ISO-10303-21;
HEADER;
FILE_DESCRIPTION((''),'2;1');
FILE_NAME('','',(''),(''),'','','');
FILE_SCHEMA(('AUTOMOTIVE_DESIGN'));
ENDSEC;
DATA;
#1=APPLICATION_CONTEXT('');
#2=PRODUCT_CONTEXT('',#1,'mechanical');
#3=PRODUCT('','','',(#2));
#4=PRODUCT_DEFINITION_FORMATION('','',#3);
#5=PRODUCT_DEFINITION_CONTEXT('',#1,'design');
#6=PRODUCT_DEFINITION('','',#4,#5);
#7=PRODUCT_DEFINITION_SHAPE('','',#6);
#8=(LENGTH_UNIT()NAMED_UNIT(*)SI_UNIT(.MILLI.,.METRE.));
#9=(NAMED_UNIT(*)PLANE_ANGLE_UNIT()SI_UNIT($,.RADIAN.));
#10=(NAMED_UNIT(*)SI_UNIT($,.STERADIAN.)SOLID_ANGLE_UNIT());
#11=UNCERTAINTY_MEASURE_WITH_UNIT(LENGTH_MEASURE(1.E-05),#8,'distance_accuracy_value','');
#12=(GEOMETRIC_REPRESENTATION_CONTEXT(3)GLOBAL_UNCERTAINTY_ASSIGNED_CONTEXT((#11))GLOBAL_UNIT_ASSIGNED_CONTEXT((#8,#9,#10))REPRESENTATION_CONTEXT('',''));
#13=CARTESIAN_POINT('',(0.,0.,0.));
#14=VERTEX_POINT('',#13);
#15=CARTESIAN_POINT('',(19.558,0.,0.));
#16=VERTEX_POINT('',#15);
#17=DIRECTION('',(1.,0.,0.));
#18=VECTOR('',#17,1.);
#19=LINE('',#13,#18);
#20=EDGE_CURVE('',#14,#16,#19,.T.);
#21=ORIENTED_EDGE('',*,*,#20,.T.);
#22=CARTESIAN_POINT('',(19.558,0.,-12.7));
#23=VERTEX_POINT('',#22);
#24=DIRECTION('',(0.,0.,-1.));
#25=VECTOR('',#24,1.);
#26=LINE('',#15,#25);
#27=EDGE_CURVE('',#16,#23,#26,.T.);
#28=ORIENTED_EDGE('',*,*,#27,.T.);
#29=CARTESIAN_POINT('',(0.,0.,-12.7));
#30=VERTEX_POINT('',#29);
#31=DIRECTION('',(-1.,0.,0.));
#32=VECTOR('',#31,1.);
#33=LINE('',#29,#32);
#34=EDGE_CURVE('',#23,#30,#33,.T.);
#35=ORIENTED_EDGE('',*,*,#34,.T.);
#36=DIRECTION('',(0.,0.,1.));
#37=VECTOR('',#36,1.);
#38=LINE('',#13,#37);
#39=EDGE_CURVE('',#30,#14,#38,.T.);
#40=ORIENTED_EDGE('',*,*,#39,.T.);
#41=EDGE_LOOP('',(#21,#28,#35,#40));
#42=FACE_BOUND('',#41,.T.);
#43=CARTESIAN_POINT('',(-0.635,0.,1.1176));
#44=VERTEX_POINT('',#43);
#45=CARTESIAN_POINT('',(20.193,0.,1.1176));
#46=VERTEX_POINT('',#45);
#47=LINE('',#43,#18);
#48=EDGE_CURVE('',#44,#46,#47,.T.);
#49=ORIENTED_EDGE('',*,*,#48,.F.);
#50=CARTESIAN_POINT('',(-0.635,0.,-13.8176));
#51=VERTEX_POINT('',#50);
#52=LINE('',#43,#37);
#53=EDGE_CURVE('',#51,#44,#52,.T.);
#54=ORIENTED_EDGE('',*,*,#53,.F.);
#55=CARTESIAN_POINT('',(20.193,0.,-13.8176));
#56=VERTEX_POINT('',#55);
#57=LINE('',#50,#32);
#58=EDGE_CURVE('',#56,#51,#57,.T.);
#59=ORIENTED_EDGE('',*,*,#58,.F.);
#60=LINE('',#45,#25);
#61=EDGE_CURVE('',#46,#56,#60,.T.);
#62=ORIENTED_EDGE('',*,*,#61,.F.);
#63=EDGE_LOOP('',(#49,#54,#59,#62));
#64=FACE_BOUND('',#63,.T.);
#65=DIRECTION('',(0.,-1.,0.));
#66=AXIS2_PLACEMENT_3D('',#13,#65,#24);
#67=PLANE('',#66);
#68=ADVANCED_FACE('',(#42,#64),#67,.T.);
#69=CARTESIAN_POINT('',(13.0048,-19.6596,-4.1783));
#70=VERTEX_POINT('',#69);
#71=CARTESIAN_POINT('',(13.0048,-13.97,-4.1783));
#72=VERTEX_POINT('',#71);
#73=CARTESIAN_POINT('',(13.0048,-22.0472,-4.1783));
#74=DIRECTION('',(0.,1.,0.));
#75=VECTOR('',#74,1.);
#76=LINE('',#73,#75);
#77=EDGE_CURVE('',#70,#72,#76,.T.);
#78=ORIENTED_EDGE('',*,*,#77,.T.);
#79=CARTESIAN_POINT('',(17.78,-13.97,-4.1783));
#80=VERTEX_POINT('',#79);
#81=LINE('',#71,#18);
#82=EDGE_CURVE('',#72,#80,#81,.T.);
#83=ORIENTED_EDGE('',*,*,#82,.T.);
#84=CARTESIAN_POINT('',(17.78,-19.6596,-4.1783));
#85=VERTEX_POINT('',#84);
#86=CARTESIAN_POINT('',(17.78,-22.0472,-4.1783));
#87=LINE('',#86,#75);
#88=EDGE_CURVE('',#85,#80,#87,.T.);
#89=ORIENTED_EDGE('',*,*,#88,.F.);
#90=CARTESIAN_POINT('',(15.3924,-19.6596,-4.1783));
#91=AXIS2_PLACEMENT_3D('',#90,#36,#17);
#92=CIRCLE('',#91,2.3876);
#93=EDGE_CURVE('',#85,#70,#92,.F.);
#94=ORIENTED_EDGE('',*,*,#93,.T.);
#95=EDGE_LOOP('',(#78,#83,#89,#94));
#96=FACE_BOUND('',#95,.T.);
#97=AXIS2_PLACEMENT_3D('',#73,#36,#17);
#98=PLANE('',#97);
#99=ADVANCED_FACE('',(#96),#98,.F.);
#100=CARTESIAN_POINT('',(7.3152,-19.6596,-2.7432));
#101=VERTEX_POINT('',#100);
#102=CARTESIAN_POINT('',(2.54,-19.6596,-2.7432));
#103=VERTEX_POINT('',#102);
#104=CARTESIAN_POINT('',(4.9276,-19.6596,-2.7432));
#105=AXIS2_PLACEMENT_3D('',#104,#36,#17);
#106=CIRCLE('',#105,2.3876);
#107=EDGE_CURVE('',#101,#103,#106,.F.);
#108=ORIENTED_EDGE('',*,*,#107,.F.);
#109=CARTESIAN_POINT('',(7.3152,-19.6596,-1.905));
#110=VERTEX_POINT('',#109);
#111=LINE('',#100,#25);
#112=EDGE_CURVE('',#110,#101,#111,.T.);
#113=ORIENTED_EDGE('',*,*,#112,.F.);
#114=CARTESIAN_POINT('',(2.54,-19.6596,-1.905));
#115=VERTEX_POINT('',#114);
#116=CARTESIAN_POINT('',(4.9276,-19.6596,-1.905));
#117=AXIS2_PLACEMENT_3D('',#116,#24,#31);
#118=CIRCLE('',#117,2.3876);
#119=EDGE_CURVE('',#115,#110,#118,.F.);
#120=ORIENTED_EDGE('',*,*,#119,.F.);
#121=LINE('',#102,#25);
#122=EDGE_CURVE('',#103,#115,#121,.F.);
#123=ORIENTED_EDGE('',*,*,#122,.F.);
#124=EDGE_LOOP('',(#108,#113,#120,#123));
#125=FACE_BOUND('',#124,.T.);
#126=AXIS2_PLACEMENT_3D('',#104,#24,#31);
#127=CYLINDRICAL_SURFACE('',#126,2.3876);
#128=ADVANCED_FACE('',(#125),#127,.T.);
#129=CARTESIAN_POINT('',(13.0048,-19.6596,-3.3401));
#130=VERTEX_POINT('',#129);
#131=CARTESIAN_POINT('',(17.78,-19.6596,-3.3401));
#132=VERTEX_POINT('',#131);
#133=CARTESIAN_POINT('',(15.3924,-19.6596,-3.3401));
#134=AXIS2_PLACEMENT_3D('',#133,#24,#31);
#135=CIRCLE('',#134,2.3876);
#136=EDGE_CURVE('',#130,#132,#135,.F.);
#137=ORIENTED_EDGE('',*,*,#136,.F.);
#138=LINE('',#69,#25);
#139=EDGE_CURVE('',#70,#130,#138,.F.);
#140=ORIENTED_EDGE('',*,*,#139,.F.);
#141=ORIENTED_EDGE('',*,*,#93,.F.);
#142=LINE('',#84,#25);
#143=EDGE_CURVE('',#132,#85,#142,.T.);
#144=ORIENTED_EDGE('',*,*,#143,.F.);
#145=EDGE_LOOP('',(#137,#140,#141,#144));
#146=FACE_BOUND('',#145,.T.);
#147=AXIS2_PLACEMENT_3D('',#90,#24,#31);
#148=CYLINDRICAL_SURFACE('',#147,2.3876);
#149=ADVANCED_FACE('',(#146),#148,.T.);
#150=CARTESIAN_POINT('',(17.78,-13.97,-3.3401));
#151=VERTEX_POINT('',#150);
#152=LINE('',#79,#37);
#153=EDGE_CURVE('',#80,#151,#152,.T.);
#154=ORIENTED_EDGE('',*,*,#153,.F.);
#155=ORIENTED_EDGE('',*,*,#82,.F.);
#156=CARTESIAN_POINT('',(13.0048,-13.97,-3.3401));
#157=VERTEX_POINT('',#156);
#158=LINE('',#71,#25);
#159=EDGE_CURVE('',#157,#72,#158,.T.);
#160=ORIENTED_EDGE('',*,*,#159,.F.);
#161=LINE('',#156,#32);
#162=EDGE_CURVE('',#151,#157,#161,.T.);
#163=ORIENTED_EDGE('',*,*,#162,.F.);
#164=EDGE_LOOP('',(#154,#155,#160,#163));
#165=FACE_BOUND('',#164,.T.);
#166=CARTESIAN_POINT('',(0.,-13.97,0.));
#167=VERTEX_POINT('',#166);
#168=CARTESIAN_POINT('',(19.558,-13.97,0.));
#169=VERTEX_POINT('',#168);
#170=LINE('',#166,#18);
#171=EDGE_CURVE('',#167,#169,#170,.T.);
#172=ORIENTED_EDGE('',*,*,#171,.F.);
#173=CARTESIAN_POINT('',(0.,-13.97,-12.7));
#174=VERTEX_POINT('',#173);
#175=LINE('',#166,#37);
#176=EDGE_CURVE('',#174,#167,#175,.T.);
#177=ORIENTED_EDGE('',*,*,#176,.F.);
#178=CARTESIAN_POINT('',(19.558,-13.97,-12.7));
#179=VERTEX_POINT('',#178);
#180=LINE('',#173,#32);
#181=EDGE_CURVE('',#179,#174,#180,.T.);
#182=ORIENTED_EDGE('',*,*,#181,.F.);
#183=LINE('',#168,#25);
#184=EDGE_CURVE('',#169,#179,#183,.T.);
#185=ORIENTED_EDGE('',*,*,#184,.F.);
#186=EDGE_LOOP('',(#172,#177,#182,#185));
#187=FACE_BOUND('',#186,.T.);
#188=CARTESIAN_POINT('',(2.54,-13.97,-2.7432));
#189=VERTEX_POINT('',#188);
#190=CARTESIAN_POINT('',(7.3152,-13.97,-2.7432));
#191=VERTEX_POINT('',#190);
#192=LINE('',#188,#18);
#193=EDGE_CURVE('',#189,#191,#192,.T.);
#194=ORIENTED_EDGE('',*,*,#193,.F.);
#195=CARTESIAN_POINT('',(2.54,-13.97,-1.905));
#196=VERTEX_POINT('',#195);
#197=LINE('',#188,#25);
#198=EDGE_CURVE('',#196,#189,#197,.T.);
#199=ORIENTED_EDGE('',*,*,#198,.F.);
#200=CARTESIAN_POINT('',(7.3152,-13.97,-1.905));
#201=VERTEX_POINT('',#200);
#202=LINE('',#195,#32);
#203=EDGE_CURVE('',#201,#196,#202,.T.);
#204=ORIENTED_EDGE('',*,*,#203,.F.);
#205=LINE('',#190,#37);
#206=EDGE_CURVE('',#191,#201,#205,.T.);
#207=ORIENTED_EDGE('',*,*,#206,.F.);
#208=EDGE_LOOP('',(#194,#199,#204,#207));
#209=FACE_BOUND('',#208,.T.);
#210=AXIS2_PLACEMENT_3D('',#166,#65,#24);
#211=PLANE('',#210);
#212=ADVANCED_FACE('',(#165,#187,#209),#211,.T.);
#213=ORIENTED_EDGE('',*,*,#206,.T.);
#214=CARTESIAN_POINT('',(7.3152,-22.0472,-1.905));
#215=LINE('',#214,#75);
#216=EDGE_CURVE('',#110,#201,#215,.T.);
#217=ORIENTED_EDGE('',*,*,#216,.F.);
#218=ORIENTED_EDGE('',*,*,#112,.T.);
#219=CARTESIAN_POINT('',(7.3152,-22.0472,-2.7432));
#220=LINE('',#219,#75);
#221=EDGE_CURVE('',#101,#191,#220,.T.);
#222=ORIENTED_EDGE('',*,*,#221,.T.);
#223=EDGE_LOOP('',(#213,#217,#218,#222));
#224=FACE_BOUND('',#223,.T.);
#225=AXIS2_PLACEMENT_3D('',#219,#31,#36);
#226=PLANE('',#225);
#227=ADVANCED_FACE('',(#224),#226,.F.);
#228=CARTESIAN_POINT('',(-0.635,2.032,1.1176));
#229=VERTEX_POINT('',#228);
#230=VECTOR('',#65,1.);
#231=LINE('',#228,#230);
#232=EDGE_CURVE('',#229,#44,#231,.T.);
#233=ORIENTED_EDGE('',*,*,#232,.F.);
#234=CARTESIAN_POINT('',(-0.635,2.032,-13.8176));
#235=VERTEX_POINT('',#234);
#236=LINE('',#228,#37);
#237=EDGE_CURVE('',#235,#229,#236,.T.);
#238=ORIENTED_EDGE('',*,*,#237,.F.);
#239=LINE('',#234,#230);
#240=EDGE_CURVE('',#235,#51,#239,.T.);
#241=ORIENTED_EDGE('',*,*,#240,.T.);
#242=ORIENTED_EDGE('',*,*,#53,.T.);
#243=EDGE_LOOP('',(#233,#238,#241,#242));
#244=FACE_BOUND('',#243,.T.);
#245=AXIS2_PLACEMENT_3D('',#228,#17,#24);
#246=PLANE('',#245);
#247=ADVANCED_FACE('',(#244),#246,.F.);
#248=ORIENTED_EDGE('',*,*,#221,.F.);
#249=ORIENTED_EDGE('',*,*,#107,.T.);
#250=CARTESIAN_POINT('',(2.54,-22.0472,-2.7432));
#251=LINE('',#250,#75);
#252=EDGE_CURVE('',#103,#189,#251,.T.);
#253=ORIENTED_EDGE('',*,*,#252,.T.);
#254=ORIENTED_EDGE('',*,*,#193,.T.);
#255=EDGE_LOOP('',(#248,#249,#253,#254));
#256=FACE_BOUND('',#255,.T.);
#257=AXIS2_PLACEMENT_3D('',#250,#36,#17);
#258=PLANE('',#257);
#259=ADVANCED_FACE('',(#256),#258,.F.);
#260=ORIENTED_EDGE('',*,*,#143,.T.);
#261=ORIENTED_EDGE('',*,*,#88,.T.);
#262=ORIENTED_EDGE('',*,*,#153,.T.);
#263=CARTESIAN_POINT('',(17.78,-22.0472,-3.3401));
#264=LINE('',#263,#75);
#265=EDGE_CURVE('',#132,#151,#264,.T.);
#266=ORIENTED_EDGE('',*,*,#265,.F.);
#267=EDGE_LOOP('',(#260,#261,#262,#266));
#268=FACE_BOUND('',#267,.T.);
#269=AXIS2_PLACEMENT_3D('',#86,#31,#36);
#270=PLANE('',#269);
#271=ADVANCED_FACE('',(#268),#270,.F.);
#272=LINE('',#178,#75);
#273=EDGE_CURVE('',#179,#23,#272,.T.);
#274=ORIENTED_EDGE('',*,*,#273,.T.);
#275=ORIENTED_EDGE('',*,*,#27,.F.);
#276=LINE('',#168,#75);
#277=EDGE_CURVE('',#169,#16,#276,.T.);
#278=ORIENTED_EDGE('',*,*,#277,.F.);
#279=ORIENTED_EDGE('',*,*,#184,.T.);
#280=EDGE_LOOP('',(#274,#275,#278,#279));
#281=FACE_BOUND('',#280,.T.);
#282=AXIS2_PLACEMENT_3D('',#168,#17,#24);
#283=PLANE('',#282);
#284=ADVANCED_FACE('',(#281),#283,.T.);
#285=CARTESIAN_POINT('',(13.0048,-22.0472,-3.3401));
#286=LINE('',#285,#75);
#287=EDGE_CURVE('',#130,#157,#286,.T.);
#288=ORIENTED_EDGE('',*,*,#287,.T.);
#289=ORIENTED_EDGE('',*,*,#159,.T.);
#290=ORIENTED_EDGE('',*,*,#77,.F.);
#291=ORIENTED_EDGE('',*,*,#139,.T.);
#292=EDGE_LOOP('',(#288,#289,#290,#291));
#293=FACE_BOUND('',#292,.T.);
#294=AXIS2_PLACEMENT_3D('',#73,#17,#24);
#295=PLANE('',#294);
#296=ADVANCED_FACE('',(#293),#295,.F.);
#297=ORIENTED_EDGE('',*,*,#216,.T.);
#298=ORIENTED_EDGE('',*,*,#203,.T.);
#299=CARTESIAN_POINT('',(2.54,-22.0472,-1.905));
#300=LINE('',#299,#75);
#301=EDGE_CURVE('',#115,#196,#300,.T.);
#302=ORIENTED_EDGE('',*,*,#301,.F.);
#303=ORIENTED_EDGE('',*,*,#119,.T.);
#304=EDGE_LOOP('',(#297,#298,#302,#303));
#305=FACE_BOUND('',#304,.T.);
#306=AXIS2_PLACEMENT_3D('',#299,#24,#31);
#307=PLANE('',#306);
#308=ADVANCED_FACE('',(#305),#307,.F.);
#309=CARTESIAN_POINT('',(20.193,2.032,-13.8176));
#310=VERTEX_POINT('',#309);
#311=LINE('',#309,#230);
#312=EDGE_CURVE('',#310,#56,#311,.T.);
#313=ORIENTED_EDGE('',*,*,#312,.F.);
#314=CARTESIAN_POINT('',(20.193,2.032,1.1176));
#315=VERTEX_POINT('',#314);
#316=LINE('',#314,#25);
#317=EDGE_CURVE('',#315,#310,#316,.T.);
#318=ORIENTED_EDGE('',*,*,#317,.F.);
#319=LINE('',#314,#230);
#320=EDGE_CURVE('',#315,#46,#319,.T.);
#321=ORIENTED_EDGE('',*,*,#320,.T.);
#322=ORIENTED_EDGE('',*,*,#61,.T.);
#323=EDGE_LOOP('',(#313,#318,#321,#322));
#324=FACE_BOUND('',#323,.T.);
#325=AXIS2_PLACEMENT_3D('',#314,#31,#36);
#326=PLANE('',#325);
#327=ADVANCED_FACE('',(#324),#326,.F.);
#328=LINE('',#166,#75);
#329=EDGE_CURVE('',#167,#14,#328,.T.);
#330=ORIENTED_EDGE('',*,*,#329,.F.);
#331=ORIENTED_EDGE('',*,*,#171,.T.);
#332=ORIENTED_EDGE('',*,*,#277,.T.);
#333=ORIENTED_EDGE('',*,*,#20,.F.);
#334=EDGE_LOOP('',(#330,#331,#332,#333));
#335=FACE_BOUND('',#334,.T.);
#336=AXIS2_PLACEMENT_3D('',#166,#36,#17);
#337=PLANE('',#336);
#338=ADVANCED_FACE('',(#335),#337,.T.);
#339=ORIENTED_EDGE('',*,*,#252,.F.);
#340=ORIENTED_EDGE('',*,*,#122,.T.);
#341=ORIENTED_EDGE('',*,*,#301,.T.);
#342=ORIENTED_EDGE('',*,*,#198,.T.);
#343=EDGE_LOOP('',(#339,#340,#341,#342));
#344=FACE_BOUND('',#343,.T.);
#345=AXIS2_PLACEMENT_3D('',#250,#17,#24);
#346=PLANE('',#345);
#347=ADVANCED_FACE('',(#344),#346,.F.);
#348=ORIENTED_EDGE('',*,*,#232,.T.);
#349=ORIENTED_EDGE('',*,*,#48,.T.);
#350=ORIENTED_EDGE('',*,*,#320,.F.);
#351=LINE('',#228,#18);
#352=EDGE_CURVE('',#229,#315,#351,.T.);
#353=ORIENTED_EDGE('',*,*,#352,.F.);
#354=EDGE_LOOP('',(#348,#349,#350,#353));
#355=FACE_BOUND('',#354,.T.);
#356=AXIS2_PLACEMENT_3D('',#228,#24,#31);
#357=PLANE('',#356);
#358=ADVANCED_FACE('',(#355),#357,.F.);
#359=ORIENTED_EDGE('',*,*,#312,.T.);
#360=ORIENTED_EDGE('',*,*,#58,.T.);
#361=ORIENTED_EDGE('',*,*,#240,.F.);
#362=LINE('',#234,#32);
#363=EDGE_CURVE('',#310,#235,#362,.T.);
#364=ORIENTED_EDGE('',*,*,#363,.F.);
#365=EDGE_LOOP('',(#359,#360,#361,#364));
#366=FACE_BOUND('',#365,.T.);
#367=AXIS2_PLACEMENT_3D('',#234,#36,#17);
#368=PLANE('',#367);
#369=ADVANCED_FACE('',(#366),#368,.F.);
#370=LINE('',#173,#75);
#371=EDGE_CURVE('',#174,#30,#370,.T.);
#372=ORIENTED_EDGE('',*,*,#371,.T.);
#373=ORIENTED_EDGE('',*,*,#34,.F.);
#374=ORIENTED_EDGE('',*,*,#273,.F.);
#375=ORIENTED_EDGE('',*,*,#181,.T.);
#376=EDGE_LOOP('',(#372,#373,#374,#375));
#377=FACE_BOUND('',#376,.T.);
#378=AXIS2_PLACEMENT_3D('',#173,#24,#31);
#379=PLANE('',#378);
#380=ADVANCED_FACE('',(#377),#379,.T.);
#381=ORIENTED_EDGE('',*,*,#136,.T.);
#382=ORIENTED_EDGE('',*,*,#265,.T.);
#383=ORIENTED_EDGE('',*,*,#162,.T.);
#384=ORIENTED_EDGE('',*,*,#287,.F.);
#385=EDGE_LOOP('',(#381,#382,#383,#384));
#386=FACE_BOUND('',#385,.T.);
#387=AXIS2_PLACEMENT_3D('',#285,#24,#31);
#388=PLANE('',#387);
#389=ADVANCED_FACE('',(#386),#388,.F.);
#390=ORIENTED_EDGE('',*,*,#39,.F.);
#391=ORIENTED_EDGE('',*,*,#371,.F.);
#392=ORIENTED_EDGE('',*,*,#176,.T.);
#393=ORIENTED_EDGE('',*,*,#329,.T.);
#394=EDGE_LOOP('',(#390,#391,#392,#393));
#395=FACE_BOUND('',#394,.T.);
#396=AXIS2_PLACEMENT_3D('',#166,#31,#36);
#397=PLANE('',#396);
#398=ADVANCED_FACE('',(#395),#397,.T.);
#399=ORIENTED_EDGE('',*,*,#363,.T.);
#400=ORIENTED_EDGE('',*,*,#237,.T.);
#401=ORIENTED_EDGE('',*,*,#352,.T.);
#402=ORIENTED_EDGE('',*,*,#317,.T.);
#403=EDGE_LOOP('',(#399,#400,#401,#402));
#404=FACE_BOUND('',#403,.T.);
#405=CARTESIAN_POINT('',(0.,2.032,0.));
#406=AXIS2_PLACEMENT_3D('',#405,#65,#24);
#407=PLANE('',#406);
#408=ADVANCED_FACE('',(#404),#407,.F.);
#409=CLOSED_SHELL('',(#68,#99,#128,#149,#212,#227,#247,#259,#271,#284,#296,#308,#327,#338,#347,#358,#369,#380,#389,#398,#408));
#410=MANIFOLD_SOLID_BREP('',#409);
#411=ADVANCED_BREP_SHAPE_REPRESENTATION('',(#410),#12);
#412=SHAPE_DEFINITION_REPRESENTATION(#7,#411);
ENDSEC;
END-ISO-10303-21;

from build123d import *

# Parameters (mm, degrees)
SKETCH1_W           = 19.558
SKETCH1_H           = 12.7
BOSS_EXTRUDE1_DEPTH = 13.97
SKETCH2_W           = 20.828
SKETCH2_H           = 14.9352
BOSS_EXTRUDE2_DEPTH = 2.032
SKETCH3_W           = 4.7752
SKETCH3_H           = 0.8382
BOSS_EXTRUDE3_DEPTH = 8.0772
FILLET1_RADIUS      = 2.3876
FILLET1_LENGTH      = 0.8382
FILLET2_RADIUS      = 2.3876
FILLET2_LENGTH      = 0.8382


with BuildPart() as part:
    # Sketch1 → Boss-Extrude1 (new body)
    with BuildSketch(Plane(origin=(0, 0, 0), x_dir=(1, 0, 0), z_dir=(0, 1, 0))):
        with Locations((9.779, 6.35)):
            Rectangle(SKETCH1_W, SKETCH1_H)
    extrude(amount=-BOSS_EXTRUDE1_DEPTH)

    # Sketch2 → Boss-Extrude2 (add)
    with BuildSketch(Plane(origin=(0, 0, 0), x_dir=(1, 0, 0), z_dir=(0, 1, 0))):
        with Locations((9.779, 6.35)):
            Rectangle(SKETCH2_W, SKETCH2_H)
    extrude(amount=BOSS_EXTRUDE2_DEPTH)

    # Sketch3 → Boss-Extrude3 (add)
    with BuildSketch(Plane.XZ.offset(13.97)):
        with Locations((4.9276, -2.3241)):
            Rectangle(SKETCH3_W, SKETCH3_H)
        with Locations((15.3924, -3.7592)):
            Rectangle(SKETCH3_W, SKETCH3_H)
    extrude(amount=BOSS_EXTRUDE3_DEPTH)

    # Fillet1: full round fillet: the end face becomes a half cylinder, R = half its width
    fillet1_face = Plane((4.9276, -22.0472, -2.3241), x_dir=(0, 0, -1), z_dir=(0, -1, 0))  # on the end face: x along it, z out of the body
    fillet1_slab = fillet1_face.offset(-FILLET1_RADIUS / 2) * Box(FILLET1_LENGTH, 2 * FILLET1_RADIUS, FILLET1_RADIUS, mode=Mode.PRIVATE)  # the body's end, R deep
    fillet1_round = Plane((4.9276, -19.6596, -2.3241), x_dir=(0, -1, 0), z_dir=(0, 0, -1)) * Cylinder(FILLET1_RADIUS, FILLET1_LENGTH, mode=Mode.PRIVATE)  # its axis R under the face
    add(fillet1_slab - fillet1_round, mode=Mode.SUBTRACT)

    # Fillet2: full round fillet: the end face becomes a half cylinder, R = half its width
    fillet2_face = Plane((15.3924, -22.0472, -3.7592), x_dir=(0, 0, -1), z_dir=(0, -1, 0))  # on the end face: x along it, z out of the body
    fillet2_slab = fillet2_face.offset(-FILLET2_RADIUS / 2) * Box(FILLET2_LENGTH, 2 * FILLET2_RADIUS, FILLET2_RADIUS, mode=Mode.PRIVATE)  # the body's end, R deep
    fillet2_round = Plane((15.3924, -19.6596, -3.7592), x_dir=(0, -1, 0), z_dir=(0, 0, -1)) * Cylinder(FILLET2_RADIUS, FILLET2_LENGTH, mode=Mode.PRIVATE)  # its axis R under the face
    add(fillet2_slab - fillet2_round, mode=Mode.SUBTRACT)


solid = part.part
